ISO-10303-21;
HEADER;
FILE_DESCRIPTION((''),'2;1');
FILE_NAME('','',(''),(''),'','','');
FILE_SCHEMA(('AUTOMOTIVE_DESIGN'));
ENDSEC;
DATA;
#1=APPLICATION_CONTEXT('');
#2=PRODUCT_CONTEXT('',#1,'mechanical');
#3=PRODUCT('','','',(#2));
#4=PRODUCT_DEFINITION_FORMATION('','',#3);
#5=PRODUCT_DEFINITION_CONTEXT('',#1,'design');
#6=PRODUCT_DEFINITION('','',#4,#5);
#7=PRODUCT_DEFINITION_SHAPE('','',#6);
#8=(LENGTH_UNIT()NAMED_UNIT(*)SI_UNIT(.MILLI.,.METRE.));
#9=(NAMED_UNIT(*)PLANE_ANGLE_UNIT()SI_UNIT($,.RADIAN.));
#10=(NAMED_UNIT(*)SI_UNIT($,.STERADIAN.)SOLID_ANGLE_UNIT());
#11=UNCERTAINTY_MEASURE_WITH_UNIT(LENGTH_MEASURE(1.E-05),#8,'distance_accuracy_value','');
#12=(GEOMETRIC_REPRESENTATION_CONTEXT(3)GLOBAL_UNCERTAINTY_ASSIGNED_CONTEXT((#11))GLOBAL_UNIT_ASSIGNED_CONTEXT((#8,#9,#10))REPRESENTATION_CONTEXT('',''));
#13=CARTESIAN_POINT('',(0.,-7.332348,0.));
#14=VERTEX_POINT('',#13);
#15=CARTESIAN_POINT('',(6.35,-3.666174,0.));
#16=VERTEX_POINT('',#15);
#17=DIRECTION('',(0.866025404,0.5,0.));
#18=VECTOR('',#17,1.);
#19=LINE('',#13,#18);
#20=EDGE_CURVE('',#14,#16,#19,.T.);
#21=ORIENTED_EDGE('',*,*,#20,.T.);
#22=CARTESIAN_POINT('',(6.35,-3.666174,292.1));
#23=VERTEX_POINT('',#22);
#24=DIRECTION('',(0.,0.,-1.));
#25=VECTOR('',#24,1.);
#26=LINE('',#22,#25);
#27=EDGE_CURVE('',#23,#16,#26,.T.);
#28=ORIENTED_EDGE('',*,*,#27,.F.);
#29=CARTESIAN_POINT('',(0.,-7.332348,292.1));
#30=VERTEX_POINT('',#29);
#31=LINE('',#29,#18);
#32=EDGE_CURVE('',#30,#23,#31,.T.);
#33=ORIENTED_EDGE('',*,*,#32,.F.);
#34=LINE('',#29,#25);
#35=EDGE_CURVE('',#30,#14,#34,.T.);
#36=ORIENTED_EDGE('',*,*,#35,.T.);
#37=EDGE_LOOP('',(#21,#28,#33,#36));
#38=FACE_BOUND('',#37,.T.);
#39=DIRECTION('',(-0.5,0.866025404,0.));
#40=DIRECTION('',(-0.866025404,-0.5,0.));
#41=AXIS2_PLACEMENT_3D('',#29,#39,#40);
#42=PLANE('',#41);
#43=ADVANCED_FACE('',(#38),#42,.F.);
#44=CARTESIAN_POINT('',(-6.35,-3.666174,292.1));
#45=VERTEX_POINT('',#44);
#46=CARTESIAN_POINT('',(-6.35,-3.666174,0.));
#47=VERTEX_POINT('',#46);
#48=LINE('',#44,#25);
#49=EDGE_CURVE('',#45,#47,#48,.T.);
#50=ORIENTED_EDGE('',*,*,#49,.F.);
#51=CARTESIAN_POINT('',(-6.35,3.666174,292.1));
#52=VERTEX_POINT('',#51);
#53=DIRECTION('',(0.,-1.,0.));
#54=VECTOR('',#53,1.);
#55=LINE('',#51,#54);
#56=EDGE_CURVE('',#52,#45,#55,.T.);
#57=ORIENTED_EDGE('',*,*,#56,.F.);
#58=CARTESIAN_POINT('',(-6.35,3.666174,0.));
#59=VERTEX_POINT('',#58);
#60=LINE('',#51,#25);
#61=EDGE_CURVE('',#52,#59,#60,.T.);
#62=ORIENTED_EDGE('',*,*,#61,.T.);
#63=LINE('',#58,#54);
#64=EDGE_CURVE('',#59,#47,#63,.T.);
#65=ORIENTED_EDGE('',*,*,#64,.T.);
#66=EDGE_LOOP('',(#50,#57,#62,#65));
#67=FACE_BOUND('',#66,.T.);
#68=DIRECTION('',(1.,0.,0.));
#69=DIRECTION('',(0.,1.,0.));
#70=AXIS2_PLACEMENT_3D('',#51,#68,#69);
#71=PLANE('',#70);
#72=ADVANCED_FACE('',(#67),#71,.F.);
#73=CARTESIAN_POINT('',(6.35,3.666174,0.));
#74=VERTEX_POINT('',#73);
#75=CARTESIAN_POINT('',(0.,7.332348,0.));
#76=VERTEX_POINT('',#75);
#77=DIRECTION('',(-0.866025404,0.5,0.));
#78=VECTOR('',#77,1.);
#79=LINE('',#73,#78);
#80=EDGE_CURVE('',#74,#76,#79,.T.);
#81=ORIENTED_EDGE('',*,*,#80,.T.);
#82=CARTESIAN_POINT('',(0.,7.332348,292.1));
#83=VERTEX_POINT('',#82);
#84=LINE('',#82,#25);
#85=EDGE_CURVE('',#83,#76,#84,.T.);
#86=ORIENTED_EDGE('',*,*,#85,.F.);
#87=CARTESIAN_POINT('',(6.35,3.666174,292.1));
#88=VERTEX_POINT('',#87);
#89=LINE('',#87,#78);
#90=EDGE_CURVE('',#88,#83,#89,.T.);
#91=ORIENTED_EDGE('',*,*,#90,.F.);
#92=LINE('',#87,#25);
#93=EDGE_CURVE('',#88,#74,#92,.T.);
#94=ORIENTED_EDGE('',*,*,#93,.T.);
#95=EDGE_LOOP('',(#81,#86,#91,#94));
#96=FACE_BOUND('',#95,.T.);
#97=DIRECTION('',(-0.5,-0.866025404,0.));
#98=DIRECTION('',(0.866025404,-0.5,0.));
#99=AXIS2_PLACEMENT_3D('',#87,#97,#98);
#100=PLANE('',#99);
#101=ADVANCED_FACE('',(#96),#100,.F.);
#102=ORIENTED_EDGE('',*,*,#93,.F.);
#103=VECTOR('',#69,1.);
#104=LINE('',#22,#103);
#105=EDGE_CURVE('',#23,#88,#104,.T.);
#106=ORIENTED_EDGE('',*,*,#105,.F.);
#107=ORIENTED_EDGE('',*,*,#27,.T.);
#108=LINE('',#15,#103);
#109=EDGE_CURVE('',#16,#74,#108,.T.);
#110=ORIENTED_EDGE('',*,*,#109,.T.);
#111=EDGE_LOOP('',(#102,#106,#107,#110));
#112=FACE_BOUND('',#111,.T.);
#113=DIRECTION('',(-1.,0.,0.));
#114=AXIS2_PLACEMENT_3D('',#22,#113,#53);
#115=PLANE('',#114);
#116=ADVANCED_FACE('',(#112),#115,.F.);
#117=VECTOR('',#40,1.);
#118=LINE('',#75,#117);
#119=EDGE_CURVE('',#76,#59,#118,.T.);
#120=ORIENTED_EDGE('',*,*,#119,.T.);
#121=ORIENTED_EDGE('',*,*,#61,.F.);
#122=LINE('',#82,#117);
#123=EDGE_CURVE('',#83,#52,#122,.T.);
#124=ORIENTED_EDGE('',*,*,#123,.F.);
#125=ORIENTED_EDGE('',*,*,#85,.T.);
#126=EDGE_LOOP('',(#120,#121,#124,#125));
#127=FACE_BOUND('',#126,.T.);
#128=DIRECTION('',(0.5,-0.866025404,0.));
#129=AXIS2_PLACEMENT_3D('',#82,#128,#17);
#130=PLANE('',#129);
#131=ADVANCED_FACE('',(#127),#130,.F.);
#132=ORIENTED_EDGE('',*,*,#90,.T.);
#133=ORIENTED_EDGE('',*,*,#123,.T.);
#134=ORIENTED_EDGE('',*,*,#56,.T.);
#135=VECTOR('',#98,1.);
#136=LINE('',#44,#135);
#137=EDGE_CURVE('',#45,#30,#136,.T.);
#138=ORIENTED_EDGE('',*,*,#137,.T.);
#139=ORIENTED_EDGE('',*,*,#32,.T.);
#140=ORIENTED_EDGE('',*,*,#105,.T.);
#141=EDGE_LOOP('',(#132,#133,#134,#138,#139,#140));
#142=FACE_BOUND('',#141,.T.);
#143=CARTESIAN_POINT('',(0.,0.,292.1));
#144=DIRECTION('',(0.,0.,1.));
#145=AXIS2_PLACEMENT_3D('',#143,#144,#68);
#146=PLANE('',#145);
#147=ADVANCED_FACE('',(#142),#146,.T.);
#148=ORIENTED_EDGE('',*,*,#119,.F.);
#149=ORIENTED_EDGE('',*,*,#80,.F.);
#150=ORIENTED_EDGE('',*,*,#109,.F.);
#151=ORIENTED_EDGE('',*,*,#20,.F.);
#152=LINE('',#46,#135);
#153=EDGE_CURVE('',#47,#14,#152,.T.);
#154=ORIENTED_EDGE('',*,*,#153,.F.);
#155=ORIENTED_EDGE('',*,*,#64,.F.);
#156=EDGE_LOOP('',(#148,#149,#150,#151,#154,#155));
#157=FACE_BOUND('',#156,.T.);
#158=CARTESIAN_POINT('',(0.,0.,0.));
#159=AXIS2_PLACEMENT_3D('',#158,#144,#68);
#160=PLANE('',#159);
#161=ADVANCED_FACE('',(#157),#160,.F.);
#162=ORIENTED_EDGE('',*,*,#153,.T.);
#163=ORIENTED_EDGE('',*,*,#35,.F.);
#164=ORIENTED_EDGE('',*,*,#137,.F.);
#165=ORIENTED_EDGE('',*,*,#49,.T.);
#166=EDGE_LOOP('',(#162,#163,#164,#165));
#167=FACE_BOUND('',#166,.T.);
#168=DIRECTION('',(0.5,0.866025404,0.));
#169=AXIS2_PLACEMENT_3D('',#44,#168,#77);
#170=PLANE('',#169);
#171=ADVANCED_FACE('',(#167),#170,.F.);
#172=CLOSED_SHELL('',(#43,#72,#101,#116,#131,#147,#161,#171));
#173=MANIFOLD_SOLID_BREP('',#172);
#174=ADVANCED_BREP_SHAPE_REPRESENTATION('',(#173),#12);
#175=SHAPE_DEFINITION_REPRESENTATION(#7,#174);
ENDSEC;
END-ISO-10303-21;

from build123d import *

# Parameters (mm, degrees)
BOSS_EXTRUDE1_DEPTH = 292.1


with BuildPart() as part:
    # Sketch1 → Boss-Extrude1 (new body)
    with BuildSketch(Plane.XY):
        Polygon((6.35, 3.666174209), (0, 7.332348419), (-6.35, 3.666174209), (-6.35, -3.666174209), (0, -7.332348419), (6.35, -3.666174209), align=None)
    extrude(amount=BOSS_EXTRUDE1_DEPTH)


solid = part.part
